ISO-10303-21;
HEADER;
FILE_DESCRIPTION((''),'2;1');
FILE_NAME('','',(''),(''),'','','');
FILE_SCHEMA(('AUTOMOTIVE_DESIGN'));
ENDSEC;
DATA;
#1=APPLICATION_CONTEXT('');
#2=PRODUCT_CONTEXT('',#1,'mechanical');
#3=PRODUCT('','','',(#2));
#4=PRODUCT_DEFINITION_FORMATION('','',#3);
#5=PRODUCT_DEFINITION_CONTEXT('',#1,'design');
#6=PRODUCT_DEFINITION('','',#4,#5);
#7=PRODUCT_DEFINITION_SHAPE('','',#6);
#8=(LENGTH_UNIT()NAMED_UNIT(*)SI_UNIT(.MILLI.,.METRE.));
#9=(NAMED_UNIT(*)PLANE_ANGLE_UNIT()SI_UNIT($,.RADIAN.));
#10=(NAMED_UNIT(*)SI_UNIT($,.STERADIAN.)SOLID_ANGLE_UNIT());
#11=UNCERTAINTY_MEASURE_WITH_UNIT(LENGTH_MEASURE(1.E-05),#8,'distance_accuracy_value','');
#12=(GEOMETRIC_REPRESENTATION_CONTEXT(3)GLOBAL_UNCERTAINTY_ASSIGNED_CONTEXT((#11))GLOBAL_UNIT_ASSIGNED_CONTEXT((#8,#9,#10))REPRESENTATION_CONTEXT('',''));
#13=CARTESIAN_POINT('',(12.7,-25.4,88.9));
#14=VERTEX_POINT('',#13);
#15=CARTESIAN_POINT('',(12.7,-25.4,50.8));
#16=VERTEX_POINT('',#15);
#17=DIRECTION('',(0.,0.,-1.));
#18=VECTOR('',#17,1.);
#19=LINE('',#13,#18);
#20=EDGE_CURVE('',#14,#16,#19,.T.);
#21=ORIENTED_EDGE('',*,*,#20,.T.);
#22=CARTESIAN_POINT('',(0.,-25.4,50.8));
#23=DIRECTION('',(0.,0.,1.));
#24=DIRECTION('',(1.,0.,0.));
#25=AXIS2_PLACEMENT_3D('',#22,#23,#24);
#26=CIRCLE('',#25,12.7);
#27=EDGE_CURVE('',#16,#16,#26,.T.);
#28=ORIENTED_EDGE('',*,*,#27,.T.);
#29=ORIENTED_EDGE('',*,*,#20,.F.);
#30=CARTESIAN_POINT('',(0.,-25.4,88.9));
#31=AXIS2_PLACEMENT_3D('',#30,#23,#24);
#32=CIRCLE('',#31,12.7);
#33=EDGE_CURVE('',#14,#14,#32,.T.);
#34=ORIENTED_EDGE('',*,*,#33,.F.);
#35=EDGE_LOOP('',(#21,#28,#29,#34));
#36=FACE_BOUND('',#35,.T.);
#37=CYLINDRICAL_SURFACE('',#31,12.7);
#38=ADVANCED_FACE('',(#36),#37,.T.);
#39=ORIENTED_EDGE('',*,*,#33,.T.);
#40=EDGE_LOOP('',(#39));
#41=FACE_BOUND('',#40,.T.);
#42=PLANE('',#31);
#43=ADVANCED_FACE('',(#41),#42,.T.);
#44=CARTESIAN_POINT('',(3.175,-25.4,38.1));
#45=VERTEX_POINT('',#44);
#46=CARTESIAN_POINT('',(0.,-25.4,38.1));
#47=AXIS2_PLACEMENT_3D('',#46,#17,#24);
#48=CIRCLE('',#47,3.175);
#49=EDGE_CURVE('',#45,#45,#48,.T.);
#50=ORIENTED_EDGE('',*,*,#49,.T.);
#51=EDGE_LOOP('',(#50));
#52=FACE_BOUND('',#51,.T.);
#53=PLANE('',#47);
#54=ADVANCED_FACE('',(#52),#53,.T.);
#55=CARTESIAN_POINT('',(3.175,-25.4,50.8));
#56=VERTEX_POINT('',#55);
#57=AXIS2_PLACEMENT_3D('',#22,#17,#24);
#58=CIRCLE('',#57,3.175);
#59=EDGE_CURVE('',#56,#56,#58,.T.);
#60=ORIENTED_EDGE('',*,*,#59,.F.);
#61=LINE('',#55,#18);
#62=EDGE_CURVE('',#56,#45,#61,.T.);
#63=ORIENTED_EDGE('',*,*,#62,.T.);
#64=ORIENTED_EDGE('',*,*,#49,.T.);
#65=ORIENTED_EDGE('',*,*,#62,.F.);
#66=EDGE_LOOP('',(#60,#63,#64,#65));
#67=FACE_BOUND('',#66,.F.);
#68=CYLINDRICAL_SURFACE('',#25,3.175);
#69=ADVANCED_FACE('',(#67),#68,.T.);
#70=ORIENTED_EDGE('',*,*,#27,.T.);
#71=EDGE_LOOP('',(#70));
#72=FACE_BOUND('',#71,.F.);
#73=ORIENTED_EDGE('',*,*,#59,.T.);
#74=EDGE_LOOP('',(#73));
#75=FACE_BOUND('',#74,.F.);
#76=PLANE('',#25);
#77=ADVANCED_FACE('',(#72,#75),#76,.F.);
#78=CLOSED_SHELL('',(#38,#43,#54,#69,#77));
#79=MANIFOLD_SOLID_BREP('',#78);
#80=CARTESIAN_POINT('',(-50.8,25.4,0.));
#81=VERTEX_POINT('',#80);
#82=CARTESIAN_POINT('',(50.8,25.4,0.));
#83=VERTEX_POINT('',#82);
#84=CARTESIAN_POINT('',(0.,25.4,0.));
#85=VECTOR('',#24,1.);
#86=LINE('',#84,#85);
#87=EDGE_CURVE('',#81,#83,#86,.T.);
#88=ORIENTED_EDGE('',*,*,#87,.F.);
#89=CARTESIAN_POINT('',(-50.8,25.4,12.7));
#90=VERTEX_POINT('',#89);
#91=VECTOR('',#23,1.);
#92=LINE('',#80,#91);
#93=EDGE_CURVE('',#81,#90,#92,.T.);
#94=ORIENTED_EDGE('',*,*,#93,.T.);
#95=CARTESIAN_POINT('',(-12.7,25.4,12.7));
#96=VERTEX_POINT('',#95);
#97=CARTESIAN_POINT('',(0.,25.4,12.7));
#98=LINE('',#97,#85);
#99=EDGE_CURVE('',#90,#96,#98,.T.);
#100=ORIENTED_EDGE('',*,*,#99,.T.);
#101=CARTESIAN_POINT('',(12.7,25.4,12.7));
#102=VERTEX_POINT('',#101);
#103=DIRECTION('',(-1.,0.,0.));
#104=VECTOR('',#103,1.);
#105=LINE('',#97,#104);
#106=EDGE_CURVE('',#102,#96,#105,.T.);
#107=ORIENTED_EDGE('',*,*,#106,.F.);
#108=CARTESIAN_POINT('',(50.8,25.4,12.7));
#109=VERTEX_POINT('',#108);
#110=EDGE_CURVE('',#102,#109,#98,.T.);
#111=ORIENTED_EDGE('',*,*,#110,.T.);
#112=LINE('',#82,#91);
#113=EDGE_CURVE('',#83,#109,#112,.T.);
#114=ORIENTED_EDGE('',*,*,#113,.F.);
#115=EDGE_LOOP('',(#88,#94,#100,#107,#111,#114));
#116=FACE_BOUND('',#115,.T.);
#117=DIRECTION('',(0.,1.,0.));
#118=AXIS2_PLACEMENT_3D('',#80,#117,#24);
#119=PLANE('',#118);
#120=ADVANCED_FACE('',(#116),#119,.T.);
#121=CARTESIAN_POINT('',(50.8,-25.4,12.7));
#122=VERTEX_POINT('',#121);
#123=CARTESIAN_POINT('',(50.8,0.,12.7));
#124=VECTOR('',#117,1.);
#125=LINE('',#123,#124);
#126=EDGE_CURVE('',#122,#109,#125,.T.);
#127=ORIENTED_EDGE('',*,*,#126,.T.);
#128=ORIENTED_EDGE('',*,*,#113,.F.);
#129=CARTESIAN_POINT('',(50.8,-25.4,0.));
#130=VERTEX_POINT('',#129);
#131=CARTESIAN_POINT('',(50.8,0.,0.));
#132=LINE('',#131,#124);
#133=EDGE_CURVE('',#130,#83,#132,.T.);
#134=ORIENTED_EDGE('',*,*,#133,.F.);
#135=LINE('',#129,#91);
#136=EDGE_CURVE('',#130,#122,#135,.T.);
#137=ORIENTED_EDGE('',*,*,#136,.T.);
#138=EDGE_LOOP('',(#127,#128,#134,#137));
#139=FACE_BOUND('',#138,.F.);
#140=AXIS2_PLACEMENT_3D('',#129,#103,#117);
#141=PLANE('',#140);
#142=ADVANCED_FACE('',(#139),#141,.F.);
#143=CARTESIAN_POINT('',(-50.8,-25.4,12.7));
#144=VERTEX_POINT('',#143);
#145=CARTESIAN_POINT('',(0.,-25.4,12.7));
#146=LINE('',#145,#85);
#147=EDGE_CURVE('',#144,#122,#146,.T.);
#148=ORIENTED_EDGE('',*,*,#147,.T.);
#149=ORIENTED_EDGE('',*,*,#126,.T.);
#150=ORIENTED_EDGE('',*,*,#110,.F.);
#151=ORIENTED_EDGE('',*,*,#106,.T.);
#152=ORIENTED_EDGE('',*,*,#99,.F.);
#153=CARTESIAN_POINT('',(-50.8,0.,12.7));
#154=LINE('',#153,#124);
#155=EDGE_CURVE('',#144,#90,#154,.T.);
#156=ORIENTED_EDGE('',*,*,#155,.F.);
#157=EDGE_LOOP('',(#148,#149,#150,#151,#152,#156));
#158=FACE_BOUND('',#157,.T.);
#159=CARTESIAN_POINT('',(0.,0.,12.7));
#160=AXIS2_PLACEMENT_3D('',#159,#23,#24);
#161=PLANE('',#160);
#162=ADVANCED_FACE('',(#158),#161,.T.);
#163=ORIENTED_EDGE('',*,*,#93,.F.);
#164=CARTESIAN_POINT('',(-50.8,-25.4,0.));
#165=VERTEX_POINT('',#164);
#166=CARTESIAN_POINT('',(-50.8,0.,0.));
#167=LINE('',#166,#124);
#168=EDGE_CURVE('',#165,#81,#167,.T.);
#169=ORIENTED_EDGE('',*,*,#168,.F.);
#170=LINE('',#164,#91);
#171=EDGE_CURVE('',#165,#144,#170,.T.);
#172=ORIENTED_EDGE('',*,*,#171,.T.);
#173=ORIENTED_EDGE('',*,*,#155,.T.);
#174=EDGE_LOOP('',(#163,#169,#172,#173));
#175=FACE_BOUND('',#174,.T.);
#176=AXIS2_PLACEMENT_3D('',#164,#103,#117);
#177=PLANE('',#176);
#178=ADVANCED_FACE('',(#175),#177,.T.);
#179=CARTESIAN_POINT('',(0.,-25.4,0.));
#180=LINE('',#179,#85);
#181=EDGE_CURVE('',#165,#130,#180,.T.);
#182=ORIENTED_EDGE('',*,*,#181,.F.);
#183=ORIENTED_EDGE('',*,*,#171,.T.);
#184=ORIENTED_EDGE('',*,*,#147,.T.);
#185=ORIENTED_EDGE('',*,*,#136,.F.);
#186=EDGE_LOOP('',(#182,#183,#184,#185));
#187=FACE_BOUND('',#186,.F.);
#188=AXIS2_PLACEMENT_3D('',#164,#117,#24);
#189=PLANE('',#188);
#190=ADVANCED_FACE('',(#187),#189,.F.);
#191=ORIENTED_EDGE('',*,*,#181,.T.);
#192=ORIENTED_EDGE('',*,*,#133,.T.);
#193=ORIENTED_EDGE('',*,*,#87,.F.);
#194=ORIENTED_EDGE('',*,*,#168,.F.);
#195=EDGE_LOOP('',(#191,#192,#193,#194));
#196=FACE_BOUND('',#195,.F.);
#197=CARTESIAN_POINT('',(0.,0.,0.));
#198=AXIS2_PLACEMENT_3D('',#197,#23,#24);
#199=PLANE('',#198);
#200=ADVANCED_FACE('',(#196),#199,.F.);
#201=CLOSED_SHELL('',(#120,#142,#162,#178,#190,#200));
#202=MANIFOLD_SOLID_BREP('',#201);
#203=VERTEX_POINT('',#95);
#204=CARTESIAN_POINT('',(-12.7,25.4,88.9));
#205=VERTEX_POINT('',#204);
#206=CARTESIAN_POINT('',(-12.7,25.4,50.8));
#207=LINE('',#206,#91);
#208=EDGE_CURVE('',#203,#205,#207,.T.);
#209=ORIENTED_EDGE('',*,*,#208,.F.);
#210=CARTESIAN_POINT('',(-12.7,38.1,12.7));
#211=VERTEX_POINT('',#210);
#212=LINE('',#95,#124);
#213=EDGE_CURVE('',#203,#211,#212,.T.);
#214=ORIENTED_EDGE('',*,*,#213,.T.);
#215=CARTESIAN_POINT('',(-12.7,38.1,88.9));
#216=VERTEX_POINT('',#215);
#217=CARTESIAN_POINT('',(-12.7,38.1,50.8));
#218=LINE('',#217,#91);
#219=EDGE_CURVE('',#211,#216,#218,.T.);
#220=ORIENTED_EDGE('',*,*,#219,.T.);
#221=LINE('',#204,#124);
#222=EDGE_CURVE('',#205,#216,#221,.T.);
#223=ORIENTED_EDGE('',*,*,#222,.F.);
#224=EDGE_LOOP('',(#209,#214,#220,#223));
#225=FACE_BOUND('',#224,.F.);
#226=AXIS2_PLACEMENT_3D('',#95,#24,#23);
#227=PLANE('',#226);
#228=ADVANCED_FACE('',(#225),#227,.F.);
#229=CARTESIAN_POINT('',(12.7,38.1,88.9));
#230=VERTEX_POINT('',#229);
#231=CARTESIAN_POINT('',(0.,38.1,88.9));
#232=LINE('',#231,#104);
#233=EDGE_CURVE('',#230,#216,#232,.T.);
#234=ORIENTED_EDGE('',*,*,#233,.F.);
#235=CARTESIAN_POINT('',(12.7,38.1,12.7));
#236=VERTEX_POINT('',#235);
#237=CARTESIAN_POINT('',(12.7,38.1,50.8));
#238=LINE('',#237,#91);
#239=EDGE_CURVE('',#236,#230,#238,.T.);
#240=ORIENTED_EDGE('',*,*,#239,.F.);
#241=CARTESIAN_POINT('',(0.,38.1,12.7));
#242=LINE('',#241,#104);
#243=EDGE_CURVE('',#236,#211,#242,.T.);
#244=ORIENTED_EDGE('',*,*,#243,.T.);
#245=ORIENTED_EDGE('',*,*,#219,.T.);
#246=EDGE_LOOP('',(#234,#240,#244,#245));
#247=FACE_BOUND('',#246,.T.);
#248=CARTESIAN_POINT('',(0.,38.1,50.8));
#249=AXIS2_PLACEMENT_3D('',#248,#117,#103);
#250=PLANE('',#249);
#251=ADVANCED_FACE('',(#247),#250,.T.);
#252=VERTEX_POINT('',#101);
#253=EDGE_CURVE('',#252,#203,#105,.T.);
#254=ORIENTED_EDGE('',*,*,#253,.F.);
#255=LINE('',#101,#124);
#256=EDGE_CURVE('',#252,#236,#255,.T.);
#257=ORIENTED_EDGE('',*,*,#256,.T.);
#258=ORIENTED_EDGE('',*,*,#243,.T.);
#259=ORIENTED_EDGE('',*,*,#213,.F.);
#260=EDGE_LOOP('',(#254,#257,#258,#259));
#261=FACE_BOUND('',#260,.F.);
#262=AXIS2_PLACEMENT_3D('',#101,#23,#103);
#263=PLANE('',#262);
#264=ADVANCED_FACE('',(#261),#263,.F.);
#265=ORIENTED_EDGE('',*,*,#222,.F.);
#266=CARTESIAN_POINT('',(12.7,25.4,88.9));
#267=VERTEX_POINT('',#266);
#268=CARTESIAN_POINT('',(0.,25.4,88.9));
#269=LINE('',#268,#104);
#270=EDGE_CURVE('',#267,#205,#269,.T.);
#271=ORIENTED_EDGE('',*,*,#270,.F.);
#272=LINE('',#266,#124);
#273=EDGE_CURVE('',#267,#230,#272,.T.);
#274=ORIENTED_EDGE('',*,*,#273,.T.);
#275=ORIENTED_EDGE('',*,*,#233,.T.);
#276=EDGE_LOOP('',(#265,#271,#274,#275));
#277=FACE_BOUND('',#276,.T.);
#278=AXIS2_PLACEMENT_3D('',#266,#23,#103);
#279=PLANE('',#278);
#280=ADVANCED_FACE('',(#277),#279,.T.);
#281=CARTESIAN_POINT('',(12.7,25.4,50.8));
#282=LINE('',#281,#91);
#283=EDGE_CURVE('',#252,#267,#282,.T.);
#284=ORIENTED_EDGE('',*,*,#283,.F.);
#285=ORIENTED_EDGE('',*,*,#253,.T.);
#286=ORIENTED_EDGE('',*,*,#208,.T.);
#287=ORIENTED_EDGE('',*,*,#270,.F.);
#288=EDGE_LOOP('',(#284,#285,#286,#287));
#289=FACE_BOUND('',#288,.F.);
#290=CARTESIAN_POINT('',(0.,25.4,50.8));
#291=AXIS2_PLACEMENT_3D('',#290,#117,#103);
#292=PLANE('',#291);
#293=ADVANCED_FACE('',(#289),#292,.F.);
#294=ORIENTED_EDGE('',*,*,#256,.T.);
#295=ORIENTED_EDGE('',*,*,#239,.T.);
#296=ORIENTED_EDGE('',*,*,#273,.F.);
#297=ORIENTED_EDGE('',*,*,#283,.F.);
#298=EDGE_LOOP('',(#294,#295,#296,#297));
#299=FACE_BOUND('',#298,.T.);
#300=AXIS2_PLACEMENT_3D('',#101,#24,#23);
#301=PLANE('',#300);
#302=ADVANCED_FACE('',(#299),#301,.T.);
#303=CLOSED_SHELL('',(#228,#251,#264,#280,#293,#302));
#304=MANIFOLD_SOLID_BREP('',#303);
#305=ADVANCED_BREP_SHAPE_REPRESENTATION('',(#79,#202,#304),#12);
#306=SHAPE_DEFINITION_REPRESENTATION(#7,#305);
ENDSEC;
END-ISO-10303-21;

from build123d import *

# Parameters (mm, degrees)
F0_W     = 101.6
F0_H     = 50.8
F1_DEPTH = 12.7
F2_W     = 25.4
F2_H     = 76.2
F3_DEPTH = 12.7
F4_R     = 12.7
F5_DEPTH = 38.1
F6_R     = 3.175
F7_DEPTH = 12.7


with BuildPart() as f1:
    # F0 (on Top) → F1 (new body)
    with BuildSketch(Plane.XY):
        Rectangle(F0_W, F0_H)
    extrude(amount=F1_DEPTH)

    # F2 (on face) → F3 (join)
    with BuildSketch(Plane(origin=(0, 25.4, 0), x_dir=(-1, 0, 0), z_dir=(0, 1, 0))):
        with Locations((0, 50.8)):
            Rectangle(F2_W, F2_H)
    extrude(amount=F3_DEPTH)


with BuildPart() as f5:
    # F4 (on face) → F5 (new body)
    with BuildSketch(Plane.XY.offset(88.9)):
        with Locations((0, -25.4)):
            Circle(F4_R)
    extrude(amount=-F5_DEPTH)

    # F6 (on face) → F7 (join)
    with BuildSketch(Plane(origin=(0, 0, 50.8), x_dir=(1, 0, 0), z_dir=(0, 0, -1))):
        with Locations((0, 25.4)):
            Circle(F6_R)
    extrude(amount=F7_DEPTH)


solid = Compound([f1.part, f5.part])
